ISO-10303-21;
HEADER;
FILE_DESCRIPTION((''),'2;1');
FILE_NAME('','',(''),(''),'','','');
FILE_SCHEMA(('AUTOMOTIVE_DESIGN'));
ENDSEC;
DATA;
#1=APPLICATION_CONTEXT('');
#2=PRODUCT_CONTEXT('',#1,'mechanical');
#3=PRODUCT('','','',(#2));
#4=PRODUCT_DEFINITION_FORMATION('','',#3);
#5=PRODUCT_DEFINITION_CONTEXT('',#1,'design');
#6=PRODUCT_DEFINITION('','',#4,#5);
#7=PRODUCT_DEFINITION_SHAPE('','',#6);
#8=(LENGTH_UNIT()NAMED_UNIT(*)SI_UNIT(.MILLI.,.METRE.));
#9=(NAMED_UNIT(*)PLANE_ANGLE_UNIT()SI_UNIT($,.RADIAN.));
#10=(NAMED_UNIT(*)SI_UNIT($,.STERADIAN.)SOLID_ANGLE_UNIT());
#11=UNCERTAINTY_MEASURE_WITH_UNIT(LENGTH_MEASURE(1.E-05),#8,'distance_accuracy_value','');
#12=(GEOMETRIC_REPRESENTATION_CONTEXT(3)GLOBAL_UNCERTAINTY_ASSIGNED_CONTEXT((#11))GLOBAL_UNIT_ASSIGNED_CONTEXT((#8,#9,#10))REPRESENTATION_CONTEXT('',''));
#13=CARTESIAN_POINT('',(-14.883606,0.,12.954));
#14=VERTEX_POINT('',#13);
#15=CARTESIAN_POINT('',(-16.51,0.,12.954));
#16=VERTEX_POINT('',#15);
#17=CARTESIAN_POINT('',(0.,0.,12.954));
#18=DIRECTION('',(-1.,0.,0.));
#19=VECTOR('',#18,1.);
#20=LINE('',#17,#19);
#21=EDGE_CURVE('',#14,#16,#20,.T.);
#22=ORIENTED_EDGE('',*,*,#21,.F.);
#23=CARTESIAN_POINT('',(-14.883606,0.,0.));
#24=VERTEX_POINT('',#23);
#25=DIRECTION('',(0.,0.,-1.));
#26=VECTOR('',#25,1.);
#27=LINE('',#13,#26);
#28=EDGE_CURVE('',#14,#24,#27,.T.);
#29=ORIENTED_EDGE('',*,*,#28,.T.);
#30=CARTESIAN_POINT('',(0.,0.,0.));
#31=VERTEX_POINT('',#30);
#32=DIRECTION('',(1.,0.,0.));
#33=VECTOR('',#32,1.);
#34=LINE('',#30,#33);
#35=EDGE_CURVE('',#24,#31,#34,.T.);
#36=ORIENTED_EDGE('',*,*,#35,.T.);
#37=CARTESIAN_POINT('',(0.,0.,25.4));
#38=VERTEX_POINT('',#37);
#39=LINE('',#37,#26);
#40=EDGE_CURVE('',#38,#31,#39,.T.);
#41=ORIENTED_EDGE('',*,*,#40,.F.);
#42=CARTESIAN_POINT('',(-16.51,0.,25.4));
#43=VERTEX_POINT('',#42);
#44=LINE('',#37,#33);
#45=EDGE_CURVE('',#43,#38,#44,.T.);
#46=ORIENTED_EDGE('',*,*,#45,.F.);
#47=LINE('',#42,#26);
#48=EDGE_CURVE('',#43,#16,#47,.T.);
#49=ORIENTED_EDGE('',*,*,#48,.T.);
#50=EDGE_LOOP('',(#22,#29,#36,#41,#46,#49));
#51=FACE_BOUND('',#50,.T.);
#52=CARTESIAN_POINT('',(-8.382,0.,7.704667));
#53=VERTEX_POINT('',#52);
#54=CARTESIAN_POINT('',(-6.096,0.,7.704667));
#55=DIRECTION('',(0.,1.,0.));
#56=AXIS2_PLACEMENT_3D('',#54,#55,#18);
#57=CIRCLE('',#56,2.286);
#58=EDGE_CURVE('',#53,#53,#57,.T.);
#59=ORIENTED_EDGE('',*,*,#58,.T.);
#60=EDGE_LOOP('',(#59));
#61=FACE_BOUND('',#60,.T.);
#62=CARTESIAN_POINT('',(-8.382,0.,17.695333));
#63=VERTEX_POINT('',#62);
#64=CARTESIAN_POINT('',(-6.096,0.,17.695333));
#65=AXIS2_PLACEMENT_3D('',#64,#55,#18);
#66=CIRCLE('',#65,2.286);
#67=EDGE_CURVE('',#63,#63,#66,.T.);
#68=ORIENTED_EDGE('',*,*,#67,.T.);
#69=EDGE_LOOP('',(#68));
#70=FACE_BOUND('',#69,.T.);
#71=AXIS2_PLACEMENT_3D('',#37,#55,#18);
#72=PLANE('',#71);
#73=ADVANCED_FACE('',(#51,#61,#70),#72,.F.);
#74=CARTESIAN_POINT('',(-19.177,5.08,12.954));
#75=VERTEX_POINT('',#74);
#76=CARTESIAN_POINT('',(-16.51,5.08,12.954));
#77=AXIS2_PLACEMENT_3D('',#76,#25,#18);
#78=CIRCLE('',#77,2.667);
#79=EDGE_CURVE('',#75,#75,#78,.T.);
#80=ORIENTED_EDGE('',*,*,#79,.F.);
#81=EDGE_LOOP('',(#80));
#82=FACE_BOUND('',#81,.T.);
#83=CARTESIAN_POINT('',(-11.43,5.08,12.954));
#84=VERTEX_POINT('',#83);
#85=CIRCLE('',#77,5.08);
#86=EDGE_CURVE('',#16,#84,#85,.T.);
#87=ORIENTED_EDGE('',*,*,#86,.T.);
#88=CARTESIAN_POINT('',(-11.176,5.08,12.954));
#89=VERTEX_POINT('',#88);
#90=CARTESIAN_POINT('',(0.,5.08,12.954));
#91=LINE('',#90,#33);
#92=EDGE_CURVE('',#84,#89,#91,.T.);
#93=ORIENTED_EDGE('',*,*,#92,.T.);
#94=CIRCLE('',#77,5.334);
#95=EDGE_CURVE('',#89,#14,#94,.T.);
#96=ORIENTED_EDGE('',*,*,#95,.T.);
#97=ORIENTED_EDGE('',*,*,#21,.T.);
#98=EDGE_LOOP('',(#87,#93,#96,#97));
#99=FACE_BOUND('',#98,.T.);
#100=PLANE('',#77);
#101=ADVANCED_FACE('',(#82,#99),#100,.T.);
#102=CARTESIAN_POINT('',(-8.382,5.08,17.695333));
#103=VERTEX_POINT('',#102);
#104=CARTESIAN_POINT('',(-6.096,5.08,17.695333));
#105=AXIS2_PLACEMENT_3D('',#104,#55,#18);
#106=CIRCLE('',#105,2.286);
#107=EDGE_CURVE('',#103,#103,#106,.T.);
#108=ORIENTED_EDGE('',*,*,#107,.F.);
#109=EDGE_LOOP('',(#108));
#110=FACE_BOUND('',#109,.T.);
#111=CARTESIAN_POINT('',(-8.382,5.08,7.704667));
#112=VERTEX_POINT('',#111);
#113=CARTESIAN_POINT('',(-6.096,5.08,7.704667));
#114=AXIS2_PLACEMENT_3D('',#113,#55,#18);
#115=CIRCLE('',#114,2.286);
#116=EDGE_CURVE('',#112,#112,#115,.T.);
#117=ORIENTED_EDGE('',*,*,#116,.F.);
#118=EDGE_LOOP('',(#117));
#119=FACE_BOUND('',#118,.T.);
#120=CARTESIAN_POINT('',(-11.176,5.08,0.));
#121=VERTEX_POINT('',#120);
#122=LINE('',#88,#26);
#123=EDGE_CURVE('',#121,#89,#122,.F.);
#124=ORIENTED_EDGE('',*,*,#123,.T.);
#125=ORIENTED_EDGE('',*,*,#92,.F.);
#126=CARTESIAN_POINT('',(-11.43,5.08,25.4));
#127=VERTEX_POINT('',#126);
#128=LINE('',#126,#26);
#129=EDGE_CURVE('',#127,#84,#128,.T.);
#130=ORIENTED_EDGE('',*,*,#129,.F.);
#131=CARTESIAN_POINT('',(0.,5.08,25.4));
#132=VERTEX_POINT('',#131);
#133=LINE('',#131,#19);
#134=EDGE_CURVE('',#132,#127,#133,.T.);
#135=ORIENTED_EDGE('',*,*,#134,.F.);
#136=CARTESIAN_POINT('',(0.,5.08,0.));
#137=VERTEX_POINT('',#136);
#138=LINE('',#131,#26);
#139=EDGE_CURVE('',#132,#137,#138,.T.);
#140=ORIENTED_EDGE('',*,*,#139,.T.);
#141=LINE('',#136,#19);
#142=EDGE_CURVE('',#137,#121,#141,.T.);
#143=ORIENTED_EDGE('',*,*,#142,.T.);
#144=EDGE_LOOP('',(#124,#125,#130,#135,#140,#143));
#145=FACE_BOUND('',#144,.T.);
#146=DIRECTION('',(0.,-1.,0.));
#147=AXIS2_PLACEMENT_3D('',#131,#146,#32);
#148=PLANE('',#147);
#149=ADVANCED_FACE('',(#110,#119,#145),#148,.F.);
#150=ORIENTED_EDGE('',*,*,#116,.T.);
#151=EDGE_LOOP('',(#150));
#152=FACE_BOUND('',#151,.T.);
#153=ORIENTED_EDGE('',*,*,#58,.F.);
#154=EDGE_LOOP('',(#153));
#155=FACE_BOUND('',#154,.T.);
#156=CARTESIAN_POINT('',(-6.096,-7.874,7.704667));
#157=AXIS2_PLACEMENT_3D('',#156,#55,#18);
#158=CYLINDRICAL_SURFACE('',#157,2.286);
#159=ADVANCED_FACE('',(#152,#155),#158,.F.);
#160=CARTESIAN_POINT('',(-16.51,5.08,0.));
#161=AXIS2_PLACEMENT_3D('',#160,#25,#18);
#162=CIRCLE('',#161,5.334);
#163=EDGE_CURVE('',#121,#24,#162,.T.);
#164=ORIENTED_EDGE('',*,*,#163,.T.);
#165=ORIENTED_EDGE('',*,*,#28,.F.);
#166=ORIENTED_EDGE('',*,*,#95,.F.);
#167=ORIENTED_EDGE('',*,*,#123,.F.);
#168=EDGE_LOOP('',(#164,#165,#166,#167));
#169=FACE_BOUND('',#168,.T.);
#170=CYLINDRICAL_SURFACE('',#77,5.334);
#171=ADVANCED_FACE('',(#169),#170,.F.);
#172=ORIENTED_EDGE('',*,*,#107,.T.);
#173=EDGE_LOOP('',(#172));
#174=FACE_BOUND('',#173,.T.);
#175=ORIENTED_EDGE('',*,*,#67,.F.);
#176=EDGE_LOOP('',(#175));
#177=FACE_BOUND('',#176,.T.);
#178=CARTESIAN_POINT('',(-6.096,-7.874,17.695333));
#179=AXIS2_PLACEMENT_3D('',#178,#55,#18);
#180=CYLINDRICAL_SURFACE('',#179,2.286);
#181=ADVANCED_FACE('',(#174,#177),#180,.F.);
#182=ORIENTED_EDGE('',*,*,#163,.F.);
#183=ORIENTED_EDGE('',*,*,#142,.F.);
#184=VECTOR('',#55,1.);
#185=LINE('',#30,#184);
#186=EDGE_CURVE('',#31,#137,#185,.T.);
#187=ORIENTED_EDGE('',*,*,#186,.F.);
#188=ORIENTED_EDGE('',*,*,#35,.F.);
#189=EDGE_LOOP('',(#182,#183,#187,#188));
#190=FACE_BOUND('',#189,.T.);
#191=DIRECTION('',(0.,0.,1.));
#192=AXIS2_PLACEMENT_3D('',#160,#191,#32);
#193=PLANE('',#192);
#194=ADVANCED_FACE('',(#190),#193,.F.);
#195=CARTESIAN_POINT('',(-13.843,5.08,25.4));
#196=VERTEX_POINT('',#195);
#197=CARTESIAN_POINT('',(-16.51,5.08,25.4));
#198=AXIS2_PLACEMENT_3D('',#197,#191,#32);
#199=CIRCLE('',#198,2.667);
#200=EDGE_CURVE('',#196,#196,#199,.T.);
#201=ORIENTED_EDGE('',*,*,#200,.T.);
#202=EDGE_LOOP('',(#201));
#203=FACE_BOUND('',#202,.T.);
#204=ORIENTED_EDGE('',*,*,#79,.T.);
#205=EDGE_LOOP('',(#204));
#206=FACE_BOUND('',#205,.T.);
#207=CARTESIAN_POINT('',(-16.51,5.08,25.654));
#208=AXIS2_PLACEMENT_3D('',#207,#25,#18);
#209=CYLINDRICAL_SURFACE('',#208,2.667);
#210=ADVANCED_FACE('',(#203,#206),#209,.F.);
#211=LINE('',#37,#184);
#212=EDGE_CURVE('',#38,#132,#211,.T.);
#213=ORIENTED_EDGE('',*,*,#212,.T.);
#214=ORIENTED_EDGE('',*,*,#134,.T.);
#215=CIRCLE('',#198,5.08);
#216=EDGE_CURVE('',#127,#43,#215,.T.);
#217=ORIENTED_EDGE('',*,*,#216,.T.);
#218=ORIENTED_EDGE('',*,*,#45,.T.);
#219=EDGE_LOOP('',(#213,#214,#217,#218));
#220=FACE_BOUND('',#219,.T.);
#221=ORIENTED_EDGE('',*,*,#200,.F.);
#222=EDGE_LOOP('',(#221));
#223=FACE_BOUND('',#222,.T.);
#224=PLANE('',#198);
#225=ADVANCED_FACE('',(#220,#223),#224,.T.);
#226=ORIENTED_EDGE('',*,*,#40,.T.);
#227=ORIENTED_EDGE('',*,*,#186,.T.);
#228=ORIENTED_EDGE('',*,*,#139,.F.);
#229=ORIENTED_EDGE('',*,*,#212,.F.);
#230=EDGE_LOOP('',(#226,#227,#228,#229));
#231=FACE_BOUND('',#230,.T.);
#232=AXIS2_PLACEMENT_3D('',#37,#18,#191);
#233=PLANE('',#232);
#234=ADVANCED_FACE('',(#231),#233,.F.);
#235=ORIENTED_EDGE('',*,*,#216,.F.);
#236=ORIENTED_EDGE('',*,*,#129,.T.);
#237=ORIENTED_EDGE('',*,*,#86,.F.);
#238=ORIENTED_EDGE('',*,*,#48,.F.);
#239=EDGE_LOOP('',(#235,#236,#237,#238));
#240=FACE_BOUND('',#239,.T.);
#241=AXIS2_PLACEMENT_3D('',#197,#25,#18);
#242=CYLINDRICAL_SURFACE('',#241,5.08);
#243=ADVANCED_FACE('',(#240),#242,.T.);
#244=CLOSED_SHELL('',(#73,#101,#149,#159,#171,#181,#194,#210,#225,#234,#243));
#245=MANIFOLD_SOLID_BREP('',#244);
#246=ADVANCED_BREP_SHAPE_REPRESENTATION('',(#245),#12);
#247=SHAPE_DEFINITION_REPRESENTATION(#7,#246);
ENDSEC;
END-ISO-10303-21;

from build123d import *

# Parameters (mm, degrees)
BOSS_EXTRUDE1_DEPTH = 25.4
SKETCH5_R           = 2.286
CUT_EXTRUDE3_DEPTH  = 12.954
SKETCH8_R           = 5.334
CUT_EXTRUDE5_DEPTH  = 12.954
SKETCH9_R           = 2.667
CUT_EXTRUDE6_DEPTH  = 12.7


with BuildPart() as part:
    # Sketch2 → Boss-Extrude1 (new body)
    with BuildSketch(Plane.XY):
        with BuildLine():
            Line((0, 0), (-16.51, 0))
            ThreePointArc((-16.51, 0), (-20.102102448, 8.672102448), (-11.43, 5.08))
            Line((-11.43, 5.08), (0, 5.08))
            Line((0, 5.08), (0, 0))
        make_face()
    extrude(amount=BOSS_EXTRUDE1_DEPTH)

    # Sketch5 → Cut-Extrude3 (cut)
    with BuildSketch(Plane(origin=(0, 5.08, 0), x_dir=(1, 0, 0), z_dir=(0, 1, 0))):
        with Locations((-6.096, -17.695333333)):
            Circle(SKETCH5_R)
        with Locations((-6.096, -7.704666667)):
            Circle(SKETCH5_R)
    extrude(amount=-CUT_EXTRUDE3_DEPTH, mode=Mode.SUBTRACT)

    # Sketch8 → Cut-Extrude5 (cut)
    with BuildSketch(Plane(origin=(0, 0, 0), x_dir=(-1, 0, 0), z_dir=(0, 0, -1))):
        with Locations((16.51, 5.08)):
            Circle(SKETCH8_R)
    extrude(amount=-CUT_EXTRUDE5_DEPTH, mode=Mode.SUBTRACT)

    # Sketch9 → Cut-Extrude6 (cut)
    with BuildSketch(Plane(origin=(0, 0, 12.954), x_dir=(-1, 0, 0), z_dir=(0, 0, -1))):
        with Locations((16.51, 5.08)):
            Circle(SKETCH9_R)
    extrude(amount=-CUT_EXTRUDE6_DEPTH, mode=Mode.SUBTRACT)


solid = part.part
